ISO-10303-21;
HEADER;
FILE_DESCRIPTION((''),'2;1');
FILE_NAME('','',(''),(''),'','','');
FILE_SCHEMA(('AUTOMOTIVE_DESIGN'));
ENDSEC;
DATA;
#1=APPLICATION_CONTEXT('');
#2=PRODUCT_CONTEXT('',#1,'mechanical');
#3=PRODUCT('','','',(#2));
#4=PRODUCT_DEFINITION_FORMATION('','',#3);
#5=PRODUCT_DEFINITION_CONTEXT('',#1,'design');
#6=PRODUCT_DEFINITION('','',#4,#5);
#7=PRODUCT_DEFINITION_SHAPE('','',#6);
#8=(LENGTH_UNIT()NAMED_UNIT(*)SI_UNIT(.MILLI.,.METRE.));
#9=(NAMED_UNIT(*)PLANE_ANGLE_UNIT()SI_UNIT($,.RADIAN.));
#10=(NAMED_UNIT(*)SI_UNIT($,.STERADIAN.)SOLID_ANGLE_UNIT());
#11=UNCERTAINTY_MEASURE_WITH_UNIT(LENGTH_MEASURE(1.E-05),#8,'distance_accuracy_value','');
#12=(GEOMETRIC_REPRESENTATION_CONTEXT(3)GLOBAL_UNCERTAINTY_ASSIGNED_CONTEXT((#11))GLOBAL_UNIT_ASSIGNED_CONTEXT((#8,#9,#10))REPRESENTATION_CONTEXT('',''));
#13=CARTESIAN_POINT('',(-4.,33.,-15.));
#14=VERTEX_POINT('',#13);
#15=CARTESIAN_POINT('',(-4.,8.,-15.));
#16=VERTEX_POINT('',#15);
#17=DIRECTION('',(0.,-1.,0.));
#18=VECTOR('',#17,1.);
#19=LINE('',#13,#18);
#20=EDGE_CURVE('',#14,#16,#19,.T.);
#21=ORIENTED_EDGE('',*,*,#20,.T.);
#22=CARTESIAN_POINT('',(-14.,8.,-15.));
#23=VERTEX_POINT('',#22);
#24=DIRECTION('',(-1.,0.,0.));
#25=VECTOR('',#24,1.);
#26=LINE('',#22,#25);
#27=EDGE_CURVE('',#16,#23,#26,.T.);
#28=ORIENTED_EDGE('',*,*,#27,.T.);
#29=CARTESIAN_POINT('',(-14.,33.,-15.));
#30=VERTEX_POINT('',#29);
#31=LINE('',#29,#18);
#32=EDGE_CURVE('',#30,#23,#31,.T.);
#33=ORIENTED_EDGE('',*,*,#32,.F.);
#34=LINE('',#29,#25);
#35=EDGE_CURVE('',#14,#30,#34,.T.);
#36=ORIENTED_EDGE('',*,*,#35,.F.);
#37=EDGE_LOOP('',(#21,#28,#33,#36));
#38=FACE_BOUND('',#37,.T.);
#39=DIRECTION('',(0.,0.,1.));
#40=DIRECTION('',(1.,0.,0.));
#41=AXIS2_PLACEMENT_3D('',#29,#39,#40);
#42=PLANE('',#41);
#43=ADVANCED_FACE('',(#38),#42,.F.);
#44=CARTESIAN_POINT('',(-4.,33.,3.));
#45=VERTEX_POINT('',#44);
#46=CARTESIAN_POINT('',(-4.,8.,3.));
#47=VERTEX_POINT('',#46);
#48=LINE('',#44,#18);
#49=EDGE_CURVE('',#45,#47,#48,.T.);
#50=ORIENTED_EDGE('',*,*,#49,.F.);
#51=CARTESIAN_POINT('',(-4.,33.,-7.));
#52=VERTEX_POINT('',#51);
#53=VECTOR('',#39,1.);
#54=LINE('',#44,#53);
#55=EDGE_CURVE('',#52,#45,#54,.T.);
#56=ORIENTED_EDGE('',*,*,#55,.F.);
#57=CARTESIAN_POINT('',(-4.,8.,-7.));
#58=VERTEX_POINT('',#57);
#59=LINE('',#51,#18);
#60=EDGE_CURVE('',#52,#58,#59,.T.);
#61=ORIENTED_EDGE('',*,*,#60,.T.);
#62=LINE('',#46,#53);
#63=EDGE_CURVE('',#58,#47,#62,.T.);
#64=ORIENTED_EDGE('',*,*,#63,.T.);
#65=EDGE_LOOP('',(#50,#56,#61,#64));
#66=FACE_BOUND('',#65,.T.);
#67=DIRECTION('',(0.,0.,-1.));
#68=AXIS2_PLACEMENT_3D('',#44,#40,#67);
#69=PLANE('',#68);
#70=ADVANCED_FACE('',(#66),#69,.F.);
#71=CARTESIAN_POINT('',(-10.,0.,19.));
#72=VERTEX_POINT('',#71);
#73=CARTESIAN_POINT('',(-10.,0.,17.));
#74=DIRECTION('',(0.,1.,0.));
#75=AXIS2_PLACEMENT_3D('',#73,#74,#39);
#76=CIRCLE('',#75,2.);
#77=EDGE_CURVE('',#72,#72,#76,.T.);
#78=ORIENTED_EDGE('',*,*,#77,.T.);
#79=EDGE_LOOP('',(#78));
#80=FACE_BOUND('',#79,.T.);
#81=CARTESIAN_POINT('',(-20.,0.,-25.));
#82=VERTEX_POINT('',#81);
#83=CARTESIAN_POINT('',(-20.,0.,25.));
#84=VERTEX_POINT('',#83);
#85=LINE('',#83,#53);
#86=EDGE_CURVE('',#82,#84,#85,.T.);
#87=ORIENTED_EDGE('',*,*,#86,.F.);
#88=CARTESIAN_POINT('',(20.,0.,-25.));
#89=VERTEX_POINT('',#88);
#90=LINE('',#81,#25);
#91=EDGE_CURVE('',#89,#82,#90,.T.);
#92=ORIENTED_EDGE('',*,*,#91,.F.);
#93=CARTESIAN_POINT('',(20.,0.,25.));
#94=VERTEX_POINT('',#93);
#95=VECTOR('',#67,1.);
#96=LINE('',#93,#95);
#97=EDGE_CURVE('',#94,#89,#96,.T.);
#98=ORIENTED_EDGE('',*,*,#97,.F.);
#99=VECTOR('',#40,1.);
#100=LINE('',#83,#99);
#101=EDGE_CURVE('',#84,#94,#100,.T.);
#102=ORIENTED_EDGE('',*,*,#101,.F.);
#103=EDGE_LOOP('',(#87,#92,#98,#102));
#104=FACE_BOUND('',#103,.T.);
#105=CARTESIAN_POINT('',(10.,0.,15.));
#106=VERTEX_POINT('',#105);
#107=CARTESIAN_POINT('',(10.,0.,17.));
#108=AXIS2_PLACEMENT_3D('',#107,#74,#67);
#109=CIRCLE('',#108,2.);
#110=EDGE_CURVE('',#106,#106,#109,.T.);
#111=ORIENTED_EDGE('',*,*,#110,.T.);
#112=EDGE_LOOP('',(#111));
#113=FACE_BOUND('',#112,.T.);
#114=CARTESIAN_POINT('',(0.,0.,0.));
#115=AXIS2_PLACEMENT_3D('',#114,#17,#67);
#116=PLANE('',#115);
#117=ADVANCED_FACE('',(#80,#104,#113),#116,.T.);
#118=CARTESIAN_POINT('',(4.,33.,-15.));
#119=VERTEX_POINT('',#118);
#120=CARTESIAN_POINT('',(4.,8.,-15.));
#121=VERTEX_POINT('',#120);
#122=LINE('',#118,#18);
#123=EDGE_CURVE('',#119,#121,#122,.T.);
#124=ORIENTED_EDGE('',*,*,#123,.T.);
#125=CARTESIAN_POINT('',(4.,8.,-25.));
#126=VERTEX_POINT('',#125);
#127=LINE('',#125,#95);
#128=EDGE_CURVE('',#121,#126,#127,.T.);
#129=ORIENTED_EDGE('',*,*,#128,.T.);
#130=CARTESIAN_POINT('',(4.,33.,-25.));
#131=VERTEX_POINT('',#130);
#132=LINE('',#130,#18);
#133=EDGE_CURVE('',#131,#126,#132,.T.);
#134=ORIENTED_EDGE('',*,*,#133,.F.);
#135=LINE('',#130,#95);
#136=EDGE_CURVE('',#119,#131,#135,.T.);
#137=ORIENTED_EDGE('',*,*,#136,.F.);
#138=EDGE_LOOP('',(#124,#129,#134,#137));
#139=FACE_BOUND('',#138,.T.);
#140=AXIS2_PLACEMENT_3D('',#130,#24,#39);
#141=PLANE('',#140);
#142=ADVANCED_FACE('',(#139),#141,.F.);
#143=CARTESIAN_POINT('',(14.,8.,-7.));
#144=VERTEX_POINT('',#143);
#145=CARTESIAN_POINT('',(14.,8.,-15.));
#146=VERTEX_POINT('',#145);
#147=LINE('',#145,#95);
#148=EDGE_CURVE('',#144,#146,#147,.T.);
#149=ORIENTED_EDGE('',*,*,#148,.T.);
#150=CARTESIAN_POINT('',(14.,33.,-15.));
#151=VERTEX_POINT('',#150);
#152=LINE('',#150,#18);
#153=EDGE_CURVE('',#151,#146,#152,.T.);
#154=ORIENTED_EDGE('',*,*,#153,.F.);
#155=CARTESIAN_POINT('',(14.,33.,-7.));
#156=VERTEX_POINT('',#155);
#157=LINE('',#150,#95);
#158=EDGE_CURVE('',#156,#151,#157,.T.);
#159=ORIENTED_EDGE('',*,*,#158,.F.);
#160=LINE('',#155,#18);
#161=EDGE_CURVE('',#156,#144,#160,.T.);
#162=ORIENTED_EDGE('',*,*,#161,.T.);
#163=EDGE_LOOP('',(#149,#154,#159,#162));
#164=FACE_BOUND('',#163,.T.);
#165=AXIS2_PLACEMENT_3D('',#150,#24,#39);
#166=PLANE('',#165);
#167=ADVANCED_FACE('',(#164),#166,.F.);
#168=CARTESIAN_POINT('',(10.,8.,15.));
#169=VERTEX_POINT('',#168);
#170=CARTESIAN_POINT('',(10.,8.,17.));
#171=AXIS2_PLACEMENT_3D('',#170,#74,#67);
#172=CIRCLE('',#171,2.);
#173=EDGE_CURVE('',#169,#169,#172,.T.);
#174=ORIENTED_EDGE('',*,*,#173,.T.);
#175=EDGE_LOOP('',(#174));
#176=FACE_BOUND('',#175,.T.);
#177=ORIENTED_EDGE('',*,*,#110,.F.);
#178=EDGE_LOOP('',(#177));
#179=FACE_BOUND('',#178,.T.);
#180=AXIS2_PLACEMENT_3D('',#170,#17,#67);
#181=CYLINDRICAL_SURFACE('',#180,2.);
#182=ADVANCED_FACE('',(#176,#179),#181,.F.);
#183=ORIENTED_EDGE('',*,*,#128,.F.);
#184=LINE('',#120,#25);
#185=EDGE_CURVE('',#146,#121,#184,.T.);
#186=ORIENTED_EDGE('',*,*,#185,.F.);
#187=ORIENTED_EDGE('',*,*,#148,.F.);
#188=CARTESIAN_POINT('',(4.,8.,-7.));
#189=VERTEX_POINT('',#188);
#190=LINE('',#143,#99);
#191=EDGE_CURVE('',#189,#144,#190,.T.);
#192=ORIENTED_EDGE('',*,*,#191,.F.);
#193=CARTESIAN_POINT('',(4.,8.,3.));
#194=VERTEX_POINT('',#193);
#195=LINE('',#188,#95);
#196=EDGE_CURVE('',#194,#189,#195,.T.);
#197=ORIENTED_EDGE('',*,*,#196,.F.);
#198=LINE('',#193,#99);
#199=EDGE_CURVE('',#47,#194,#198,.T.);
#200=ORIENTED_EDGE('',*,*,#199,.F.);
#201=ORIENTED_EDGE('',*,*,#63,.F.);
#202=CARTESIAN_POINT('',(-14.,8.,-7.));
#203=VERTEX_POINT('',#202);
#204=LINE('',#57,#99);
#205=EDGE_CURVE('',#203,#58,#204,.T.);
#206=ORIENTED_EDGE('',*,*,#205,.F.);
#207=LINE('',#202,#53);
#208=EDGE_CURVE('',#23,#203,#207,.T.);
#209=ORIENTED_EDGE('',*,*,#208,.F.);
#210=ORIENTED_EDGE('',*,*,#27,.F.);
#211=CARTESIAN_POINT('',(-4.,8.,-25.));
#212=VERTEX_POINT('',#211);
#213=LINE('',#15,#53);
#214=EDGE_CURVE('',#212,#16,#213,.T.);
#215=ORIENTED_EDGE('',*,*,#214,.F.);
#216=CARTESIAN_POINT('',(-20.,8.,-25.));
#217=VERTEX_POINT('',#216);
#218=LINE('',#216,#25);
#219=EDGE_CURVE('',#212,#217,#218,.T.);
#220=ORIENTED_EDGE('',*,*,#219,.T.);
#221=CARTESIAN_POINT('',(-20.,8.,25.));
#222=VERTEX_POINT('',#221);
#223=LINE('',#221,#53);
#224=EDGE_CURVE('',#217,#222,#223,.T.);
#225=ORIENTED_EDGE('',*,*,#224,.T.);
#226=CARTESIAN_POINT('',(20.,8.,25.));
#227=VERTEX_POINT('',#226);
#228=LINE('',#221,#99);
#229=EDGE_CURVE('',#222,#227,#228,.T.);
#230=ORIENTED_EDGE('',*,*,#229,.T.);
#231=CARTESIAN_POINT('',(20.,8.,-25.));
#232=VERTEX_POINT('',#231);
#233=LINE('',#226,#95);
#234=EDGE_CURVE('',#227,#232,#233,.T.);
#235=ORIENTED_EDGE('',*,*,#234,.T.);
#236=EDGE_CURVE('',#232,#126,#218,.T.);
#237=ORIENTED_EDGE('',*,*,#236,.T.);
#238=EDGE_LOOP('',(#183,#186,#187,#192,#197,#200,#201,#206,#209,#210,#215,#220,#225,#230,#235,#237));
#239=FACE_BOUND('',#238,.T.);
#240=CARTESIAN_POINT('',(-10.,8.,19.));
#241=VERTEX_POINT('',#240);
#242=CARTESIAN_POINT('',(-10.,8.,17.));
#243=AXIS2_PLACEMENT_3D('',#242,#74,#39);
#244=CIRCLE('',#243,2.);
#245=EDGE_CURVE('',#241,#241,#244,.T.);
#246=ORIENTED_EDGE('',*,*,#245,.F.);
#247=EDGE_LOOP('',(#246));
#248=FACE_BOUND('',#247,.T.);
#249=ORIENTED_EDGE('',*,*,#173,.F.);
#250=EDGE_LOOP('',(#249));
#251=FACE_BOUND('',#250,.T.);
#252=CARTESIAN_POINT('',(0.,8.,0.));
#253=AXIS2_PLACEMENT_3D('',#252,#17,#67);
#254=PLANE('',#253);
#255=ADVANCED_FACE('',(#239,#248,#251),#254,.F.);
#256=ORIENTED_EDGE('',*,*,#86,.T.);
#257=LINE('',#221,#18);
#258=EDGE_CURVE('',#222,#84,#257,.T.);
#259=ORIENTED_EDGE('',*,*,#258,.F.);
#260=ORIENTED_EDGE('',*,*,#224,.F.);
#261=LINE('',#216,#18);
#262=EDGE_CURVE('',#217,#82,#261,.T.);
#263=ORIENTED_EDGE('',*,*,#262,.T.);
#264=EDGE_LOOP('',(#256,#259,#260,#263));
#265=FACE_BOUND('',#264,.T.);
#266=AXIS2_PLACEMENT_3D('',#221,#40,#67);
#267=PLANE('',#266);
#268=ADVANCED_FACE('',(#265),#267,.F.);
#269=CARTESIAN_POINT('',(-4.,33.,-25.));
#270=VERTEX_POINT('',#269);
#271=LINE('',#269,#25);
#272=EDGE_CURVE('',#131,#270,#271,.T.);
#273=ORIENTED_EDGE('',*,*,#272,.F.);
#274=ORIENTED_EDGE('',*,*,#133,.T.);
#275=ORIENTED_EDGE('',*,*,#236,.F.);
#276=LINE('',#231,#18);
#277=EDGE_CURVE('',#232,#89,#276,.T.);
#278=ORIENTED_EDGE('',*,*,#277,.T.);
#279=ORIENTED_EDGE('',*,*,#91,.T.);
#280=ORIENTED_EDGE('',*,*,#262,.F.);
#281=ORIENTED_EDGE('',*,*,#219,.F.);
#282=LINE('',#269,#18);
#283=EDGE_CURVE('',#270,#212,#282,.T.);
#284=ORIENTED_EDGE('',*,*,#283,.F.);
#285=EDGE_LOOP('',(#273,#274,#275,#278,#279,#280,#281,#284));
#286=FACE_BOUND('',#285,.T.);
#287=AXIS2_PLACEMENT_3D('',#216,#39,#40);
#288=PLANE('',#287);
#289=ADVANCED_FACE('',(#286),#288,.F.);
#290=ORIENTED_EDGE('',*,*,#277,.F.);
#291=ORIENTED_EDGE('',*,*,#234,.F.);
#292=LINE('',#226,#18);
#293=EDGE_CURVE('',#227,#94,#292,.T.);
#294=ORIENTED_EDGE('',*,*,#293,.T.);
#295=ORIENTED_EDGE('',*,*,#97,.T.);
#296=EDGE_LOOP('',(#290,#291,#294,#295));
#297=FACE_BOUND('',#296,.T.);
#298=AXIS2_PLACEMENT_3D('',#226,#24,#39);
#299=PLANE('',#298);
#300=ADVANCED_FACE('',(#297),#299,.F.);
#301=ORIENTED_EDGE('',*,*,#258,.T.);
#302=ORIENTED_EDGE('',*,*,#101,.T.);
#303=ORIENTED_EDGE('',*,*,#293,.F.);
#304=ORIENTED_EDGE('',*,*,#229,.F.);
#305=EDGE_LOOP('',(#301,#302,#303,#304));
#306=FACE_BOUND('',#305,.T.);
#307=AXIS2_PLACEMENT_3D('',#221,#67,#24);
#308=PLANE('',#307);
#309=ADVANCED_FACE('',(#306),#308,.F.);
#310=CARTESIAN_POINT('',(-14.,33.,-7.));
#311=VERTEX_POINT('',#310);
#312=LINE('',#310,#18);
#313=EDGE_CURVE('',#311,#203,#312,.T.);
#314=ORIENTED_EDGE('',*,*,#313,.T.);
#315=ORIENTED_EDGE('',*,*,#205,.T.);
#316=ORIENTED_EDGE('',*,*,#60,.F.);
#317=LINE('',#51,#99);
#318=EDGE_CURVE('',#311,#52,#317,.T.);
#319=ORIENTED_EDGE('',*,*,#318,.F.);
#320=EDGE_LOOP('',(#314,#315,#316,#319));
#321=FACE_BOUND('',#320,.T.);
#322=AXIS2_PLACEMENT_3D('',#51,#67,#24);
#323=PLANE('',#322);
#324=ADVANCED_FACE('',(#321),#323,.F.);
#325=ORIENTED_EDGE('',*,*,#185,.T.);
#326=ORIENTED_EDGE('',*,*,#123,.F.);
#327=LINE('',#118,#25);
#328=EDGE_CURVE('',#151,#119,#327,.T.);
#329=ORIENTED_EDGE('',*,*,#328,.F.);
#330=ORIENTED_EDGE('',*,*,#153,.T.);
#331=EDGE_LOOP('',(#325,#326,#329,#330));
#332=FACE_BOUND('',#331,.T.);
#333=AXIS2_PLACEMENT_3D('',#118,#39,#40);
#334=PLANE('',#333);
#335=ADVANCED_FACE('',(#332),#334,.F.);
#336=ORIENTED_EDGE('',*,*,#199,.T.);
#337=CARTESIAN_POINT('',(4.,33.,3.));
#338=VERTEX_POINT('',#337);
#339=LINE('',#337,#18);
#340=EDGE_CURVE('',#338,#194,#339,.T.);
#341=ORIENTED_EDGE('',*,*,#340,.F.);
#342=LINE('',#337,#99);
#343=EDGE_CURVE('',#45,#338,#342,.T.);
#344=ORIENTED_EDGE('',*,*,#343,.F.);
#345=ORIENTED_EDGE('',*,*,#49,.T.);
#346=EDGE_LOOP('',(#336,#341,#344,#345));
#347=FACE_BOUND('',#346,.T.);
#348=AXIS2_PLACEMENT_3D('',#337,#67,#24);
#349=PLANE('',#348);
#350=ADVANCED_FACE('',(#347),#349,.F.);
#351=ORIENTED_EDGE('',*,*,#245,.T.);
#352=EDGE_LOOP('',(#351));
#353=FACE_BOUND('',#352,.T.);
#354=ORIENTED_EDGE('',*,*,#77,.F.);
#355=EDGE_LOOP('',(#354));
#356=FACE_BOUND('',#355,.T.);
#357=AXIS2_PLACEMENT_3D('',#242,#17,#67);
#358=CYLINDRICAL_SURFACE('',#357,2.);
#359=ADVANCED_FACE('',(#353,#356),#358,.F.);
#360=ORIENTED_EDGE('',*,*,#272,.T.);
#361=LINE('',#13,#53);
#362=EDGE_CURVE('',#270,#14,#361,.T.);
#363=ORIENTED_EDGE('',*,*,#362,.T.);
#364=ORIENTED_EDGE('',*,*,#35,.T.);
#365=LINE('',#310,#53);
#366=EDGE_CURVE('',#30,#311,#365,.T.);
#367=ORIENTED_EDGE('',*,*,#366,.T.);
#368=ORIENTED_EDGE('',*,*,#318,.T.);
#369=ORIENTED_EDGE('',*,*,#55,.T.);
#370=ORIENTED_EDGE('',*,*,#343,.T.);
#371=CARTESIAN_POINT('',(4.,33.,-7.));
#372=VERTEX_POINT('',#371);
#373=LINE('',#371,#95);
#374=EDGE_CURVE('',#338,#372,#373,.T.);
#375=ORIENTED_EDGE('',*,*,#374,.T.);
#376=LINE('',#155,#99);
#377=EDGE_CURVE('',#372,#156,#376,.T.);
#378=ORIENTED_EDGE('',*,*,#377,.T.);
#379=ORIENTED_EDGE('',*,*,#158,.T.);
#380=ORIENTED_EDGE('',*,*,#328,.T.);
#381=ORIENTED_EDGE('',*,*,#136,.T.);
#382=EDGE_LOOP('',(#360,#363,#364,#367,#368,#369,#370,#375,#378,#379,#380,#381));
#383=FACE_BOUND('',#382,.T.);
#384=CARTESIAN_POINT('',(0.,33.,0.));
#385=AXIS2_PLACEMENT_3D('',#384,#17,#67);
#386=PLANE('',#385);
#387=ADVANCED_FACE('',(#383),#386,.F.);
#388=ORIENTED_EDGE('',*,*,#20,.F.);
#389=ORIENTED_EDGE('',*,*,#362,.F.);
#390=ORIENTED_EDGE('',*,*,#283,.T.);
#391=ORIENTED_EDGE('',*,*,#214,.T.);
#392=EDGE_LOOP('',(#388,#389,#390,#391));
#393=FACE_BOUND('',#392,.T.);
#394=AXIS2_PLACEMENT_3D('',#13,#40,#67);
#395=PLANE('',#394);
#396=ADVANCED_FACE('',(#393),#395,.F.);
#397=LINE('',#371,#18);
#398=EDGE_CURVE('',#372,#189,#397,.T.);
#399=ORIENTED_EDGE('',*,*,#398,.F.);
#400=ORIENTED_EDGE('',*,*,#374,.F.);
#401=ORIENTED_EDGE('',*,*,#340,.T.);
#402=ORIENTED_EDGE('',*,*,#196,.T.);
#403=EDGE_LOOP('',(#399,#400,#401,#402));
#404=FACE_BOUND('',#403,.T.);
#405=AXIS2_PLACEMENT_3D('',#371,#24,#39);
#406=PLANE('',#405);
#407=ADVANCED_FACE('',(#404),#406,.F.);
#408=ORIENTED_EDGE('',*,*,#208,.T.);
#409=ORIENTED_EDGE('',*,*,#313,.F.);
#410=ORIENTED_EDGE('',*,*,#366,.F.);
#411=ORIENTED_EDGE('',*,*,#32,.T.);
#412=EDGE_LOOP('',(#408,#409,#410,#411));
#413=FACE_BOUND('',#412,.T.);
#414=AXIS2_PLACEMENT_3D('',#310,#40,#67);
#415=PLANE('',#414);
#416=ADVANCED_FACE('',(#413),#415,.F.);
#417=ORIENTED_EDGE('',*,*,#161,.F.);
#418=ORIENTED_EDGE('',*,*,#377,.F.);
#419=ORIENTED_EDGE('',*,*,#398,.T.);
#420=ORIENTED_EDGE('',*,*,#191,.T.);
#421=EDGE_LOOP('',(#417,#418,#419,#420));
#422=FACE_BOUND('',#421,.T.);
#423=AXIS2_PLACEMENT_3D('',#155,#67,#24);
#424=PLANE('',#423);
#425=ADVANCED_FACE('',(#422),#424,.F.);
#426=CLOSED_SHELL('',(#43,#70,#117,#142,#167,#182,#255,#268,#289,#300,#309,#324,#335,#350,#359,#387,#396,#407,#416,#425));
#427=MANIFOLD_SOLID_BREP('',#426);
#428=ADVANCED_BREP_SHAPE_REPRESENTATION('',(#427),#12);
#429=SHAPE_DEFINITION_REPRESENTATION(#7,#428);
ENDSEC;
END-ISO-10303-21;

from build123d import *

# Parameters (mm, degrees)
SKETCH1_W           = 40
SKETCH1_H           = 50
SKETCH1_R           = 2
BOSS_EXTRUDE1_DEPTH = 8
BOSS_EXTRUDE2_DEPTH = 25


with BuildPart() as part:
    # Sketch1 → Boss-Extrude1 (new body)
    with BuildSketch(Plane(origin=(0, 0, 0), x_dir=(1, 0, 0), z_dir=(0, 1, 0))):
        Rectangle(SKETCH1_W, SKETCH1_H)
        with Locations(Location((-10, -17, 0), (0, 0, 270))):
            Circle(SKETCH1_R, mode=Mode.SUBTRACT)
        with Locations(Location((10, -17, 0), (0, 0, 90))):
            Circle(SKETCH1_R, mode=Mode.SUBTRACT)
    extrude(amount=BOSS_EXTRUDE1_DEPTH)

    # Sketch2 → Boss-Extrude2 (add)
    with BuildSketch(Plane(origin=(0, 8, 0), x_dir=(1, 0, 0), z_dir=(0, 1, 0))):
        Polygon((-4, 25), (4, 25), (4, 15), (14, 15), (14, 7), (4, 7), (4, -3), (-4, -3), (-4, 7), (-14, 7), (-14, 15), (-4, 15), align=None)
    extrude(amount=BOSS_EXTRUDE2_DEPTH)


solid = part.part
